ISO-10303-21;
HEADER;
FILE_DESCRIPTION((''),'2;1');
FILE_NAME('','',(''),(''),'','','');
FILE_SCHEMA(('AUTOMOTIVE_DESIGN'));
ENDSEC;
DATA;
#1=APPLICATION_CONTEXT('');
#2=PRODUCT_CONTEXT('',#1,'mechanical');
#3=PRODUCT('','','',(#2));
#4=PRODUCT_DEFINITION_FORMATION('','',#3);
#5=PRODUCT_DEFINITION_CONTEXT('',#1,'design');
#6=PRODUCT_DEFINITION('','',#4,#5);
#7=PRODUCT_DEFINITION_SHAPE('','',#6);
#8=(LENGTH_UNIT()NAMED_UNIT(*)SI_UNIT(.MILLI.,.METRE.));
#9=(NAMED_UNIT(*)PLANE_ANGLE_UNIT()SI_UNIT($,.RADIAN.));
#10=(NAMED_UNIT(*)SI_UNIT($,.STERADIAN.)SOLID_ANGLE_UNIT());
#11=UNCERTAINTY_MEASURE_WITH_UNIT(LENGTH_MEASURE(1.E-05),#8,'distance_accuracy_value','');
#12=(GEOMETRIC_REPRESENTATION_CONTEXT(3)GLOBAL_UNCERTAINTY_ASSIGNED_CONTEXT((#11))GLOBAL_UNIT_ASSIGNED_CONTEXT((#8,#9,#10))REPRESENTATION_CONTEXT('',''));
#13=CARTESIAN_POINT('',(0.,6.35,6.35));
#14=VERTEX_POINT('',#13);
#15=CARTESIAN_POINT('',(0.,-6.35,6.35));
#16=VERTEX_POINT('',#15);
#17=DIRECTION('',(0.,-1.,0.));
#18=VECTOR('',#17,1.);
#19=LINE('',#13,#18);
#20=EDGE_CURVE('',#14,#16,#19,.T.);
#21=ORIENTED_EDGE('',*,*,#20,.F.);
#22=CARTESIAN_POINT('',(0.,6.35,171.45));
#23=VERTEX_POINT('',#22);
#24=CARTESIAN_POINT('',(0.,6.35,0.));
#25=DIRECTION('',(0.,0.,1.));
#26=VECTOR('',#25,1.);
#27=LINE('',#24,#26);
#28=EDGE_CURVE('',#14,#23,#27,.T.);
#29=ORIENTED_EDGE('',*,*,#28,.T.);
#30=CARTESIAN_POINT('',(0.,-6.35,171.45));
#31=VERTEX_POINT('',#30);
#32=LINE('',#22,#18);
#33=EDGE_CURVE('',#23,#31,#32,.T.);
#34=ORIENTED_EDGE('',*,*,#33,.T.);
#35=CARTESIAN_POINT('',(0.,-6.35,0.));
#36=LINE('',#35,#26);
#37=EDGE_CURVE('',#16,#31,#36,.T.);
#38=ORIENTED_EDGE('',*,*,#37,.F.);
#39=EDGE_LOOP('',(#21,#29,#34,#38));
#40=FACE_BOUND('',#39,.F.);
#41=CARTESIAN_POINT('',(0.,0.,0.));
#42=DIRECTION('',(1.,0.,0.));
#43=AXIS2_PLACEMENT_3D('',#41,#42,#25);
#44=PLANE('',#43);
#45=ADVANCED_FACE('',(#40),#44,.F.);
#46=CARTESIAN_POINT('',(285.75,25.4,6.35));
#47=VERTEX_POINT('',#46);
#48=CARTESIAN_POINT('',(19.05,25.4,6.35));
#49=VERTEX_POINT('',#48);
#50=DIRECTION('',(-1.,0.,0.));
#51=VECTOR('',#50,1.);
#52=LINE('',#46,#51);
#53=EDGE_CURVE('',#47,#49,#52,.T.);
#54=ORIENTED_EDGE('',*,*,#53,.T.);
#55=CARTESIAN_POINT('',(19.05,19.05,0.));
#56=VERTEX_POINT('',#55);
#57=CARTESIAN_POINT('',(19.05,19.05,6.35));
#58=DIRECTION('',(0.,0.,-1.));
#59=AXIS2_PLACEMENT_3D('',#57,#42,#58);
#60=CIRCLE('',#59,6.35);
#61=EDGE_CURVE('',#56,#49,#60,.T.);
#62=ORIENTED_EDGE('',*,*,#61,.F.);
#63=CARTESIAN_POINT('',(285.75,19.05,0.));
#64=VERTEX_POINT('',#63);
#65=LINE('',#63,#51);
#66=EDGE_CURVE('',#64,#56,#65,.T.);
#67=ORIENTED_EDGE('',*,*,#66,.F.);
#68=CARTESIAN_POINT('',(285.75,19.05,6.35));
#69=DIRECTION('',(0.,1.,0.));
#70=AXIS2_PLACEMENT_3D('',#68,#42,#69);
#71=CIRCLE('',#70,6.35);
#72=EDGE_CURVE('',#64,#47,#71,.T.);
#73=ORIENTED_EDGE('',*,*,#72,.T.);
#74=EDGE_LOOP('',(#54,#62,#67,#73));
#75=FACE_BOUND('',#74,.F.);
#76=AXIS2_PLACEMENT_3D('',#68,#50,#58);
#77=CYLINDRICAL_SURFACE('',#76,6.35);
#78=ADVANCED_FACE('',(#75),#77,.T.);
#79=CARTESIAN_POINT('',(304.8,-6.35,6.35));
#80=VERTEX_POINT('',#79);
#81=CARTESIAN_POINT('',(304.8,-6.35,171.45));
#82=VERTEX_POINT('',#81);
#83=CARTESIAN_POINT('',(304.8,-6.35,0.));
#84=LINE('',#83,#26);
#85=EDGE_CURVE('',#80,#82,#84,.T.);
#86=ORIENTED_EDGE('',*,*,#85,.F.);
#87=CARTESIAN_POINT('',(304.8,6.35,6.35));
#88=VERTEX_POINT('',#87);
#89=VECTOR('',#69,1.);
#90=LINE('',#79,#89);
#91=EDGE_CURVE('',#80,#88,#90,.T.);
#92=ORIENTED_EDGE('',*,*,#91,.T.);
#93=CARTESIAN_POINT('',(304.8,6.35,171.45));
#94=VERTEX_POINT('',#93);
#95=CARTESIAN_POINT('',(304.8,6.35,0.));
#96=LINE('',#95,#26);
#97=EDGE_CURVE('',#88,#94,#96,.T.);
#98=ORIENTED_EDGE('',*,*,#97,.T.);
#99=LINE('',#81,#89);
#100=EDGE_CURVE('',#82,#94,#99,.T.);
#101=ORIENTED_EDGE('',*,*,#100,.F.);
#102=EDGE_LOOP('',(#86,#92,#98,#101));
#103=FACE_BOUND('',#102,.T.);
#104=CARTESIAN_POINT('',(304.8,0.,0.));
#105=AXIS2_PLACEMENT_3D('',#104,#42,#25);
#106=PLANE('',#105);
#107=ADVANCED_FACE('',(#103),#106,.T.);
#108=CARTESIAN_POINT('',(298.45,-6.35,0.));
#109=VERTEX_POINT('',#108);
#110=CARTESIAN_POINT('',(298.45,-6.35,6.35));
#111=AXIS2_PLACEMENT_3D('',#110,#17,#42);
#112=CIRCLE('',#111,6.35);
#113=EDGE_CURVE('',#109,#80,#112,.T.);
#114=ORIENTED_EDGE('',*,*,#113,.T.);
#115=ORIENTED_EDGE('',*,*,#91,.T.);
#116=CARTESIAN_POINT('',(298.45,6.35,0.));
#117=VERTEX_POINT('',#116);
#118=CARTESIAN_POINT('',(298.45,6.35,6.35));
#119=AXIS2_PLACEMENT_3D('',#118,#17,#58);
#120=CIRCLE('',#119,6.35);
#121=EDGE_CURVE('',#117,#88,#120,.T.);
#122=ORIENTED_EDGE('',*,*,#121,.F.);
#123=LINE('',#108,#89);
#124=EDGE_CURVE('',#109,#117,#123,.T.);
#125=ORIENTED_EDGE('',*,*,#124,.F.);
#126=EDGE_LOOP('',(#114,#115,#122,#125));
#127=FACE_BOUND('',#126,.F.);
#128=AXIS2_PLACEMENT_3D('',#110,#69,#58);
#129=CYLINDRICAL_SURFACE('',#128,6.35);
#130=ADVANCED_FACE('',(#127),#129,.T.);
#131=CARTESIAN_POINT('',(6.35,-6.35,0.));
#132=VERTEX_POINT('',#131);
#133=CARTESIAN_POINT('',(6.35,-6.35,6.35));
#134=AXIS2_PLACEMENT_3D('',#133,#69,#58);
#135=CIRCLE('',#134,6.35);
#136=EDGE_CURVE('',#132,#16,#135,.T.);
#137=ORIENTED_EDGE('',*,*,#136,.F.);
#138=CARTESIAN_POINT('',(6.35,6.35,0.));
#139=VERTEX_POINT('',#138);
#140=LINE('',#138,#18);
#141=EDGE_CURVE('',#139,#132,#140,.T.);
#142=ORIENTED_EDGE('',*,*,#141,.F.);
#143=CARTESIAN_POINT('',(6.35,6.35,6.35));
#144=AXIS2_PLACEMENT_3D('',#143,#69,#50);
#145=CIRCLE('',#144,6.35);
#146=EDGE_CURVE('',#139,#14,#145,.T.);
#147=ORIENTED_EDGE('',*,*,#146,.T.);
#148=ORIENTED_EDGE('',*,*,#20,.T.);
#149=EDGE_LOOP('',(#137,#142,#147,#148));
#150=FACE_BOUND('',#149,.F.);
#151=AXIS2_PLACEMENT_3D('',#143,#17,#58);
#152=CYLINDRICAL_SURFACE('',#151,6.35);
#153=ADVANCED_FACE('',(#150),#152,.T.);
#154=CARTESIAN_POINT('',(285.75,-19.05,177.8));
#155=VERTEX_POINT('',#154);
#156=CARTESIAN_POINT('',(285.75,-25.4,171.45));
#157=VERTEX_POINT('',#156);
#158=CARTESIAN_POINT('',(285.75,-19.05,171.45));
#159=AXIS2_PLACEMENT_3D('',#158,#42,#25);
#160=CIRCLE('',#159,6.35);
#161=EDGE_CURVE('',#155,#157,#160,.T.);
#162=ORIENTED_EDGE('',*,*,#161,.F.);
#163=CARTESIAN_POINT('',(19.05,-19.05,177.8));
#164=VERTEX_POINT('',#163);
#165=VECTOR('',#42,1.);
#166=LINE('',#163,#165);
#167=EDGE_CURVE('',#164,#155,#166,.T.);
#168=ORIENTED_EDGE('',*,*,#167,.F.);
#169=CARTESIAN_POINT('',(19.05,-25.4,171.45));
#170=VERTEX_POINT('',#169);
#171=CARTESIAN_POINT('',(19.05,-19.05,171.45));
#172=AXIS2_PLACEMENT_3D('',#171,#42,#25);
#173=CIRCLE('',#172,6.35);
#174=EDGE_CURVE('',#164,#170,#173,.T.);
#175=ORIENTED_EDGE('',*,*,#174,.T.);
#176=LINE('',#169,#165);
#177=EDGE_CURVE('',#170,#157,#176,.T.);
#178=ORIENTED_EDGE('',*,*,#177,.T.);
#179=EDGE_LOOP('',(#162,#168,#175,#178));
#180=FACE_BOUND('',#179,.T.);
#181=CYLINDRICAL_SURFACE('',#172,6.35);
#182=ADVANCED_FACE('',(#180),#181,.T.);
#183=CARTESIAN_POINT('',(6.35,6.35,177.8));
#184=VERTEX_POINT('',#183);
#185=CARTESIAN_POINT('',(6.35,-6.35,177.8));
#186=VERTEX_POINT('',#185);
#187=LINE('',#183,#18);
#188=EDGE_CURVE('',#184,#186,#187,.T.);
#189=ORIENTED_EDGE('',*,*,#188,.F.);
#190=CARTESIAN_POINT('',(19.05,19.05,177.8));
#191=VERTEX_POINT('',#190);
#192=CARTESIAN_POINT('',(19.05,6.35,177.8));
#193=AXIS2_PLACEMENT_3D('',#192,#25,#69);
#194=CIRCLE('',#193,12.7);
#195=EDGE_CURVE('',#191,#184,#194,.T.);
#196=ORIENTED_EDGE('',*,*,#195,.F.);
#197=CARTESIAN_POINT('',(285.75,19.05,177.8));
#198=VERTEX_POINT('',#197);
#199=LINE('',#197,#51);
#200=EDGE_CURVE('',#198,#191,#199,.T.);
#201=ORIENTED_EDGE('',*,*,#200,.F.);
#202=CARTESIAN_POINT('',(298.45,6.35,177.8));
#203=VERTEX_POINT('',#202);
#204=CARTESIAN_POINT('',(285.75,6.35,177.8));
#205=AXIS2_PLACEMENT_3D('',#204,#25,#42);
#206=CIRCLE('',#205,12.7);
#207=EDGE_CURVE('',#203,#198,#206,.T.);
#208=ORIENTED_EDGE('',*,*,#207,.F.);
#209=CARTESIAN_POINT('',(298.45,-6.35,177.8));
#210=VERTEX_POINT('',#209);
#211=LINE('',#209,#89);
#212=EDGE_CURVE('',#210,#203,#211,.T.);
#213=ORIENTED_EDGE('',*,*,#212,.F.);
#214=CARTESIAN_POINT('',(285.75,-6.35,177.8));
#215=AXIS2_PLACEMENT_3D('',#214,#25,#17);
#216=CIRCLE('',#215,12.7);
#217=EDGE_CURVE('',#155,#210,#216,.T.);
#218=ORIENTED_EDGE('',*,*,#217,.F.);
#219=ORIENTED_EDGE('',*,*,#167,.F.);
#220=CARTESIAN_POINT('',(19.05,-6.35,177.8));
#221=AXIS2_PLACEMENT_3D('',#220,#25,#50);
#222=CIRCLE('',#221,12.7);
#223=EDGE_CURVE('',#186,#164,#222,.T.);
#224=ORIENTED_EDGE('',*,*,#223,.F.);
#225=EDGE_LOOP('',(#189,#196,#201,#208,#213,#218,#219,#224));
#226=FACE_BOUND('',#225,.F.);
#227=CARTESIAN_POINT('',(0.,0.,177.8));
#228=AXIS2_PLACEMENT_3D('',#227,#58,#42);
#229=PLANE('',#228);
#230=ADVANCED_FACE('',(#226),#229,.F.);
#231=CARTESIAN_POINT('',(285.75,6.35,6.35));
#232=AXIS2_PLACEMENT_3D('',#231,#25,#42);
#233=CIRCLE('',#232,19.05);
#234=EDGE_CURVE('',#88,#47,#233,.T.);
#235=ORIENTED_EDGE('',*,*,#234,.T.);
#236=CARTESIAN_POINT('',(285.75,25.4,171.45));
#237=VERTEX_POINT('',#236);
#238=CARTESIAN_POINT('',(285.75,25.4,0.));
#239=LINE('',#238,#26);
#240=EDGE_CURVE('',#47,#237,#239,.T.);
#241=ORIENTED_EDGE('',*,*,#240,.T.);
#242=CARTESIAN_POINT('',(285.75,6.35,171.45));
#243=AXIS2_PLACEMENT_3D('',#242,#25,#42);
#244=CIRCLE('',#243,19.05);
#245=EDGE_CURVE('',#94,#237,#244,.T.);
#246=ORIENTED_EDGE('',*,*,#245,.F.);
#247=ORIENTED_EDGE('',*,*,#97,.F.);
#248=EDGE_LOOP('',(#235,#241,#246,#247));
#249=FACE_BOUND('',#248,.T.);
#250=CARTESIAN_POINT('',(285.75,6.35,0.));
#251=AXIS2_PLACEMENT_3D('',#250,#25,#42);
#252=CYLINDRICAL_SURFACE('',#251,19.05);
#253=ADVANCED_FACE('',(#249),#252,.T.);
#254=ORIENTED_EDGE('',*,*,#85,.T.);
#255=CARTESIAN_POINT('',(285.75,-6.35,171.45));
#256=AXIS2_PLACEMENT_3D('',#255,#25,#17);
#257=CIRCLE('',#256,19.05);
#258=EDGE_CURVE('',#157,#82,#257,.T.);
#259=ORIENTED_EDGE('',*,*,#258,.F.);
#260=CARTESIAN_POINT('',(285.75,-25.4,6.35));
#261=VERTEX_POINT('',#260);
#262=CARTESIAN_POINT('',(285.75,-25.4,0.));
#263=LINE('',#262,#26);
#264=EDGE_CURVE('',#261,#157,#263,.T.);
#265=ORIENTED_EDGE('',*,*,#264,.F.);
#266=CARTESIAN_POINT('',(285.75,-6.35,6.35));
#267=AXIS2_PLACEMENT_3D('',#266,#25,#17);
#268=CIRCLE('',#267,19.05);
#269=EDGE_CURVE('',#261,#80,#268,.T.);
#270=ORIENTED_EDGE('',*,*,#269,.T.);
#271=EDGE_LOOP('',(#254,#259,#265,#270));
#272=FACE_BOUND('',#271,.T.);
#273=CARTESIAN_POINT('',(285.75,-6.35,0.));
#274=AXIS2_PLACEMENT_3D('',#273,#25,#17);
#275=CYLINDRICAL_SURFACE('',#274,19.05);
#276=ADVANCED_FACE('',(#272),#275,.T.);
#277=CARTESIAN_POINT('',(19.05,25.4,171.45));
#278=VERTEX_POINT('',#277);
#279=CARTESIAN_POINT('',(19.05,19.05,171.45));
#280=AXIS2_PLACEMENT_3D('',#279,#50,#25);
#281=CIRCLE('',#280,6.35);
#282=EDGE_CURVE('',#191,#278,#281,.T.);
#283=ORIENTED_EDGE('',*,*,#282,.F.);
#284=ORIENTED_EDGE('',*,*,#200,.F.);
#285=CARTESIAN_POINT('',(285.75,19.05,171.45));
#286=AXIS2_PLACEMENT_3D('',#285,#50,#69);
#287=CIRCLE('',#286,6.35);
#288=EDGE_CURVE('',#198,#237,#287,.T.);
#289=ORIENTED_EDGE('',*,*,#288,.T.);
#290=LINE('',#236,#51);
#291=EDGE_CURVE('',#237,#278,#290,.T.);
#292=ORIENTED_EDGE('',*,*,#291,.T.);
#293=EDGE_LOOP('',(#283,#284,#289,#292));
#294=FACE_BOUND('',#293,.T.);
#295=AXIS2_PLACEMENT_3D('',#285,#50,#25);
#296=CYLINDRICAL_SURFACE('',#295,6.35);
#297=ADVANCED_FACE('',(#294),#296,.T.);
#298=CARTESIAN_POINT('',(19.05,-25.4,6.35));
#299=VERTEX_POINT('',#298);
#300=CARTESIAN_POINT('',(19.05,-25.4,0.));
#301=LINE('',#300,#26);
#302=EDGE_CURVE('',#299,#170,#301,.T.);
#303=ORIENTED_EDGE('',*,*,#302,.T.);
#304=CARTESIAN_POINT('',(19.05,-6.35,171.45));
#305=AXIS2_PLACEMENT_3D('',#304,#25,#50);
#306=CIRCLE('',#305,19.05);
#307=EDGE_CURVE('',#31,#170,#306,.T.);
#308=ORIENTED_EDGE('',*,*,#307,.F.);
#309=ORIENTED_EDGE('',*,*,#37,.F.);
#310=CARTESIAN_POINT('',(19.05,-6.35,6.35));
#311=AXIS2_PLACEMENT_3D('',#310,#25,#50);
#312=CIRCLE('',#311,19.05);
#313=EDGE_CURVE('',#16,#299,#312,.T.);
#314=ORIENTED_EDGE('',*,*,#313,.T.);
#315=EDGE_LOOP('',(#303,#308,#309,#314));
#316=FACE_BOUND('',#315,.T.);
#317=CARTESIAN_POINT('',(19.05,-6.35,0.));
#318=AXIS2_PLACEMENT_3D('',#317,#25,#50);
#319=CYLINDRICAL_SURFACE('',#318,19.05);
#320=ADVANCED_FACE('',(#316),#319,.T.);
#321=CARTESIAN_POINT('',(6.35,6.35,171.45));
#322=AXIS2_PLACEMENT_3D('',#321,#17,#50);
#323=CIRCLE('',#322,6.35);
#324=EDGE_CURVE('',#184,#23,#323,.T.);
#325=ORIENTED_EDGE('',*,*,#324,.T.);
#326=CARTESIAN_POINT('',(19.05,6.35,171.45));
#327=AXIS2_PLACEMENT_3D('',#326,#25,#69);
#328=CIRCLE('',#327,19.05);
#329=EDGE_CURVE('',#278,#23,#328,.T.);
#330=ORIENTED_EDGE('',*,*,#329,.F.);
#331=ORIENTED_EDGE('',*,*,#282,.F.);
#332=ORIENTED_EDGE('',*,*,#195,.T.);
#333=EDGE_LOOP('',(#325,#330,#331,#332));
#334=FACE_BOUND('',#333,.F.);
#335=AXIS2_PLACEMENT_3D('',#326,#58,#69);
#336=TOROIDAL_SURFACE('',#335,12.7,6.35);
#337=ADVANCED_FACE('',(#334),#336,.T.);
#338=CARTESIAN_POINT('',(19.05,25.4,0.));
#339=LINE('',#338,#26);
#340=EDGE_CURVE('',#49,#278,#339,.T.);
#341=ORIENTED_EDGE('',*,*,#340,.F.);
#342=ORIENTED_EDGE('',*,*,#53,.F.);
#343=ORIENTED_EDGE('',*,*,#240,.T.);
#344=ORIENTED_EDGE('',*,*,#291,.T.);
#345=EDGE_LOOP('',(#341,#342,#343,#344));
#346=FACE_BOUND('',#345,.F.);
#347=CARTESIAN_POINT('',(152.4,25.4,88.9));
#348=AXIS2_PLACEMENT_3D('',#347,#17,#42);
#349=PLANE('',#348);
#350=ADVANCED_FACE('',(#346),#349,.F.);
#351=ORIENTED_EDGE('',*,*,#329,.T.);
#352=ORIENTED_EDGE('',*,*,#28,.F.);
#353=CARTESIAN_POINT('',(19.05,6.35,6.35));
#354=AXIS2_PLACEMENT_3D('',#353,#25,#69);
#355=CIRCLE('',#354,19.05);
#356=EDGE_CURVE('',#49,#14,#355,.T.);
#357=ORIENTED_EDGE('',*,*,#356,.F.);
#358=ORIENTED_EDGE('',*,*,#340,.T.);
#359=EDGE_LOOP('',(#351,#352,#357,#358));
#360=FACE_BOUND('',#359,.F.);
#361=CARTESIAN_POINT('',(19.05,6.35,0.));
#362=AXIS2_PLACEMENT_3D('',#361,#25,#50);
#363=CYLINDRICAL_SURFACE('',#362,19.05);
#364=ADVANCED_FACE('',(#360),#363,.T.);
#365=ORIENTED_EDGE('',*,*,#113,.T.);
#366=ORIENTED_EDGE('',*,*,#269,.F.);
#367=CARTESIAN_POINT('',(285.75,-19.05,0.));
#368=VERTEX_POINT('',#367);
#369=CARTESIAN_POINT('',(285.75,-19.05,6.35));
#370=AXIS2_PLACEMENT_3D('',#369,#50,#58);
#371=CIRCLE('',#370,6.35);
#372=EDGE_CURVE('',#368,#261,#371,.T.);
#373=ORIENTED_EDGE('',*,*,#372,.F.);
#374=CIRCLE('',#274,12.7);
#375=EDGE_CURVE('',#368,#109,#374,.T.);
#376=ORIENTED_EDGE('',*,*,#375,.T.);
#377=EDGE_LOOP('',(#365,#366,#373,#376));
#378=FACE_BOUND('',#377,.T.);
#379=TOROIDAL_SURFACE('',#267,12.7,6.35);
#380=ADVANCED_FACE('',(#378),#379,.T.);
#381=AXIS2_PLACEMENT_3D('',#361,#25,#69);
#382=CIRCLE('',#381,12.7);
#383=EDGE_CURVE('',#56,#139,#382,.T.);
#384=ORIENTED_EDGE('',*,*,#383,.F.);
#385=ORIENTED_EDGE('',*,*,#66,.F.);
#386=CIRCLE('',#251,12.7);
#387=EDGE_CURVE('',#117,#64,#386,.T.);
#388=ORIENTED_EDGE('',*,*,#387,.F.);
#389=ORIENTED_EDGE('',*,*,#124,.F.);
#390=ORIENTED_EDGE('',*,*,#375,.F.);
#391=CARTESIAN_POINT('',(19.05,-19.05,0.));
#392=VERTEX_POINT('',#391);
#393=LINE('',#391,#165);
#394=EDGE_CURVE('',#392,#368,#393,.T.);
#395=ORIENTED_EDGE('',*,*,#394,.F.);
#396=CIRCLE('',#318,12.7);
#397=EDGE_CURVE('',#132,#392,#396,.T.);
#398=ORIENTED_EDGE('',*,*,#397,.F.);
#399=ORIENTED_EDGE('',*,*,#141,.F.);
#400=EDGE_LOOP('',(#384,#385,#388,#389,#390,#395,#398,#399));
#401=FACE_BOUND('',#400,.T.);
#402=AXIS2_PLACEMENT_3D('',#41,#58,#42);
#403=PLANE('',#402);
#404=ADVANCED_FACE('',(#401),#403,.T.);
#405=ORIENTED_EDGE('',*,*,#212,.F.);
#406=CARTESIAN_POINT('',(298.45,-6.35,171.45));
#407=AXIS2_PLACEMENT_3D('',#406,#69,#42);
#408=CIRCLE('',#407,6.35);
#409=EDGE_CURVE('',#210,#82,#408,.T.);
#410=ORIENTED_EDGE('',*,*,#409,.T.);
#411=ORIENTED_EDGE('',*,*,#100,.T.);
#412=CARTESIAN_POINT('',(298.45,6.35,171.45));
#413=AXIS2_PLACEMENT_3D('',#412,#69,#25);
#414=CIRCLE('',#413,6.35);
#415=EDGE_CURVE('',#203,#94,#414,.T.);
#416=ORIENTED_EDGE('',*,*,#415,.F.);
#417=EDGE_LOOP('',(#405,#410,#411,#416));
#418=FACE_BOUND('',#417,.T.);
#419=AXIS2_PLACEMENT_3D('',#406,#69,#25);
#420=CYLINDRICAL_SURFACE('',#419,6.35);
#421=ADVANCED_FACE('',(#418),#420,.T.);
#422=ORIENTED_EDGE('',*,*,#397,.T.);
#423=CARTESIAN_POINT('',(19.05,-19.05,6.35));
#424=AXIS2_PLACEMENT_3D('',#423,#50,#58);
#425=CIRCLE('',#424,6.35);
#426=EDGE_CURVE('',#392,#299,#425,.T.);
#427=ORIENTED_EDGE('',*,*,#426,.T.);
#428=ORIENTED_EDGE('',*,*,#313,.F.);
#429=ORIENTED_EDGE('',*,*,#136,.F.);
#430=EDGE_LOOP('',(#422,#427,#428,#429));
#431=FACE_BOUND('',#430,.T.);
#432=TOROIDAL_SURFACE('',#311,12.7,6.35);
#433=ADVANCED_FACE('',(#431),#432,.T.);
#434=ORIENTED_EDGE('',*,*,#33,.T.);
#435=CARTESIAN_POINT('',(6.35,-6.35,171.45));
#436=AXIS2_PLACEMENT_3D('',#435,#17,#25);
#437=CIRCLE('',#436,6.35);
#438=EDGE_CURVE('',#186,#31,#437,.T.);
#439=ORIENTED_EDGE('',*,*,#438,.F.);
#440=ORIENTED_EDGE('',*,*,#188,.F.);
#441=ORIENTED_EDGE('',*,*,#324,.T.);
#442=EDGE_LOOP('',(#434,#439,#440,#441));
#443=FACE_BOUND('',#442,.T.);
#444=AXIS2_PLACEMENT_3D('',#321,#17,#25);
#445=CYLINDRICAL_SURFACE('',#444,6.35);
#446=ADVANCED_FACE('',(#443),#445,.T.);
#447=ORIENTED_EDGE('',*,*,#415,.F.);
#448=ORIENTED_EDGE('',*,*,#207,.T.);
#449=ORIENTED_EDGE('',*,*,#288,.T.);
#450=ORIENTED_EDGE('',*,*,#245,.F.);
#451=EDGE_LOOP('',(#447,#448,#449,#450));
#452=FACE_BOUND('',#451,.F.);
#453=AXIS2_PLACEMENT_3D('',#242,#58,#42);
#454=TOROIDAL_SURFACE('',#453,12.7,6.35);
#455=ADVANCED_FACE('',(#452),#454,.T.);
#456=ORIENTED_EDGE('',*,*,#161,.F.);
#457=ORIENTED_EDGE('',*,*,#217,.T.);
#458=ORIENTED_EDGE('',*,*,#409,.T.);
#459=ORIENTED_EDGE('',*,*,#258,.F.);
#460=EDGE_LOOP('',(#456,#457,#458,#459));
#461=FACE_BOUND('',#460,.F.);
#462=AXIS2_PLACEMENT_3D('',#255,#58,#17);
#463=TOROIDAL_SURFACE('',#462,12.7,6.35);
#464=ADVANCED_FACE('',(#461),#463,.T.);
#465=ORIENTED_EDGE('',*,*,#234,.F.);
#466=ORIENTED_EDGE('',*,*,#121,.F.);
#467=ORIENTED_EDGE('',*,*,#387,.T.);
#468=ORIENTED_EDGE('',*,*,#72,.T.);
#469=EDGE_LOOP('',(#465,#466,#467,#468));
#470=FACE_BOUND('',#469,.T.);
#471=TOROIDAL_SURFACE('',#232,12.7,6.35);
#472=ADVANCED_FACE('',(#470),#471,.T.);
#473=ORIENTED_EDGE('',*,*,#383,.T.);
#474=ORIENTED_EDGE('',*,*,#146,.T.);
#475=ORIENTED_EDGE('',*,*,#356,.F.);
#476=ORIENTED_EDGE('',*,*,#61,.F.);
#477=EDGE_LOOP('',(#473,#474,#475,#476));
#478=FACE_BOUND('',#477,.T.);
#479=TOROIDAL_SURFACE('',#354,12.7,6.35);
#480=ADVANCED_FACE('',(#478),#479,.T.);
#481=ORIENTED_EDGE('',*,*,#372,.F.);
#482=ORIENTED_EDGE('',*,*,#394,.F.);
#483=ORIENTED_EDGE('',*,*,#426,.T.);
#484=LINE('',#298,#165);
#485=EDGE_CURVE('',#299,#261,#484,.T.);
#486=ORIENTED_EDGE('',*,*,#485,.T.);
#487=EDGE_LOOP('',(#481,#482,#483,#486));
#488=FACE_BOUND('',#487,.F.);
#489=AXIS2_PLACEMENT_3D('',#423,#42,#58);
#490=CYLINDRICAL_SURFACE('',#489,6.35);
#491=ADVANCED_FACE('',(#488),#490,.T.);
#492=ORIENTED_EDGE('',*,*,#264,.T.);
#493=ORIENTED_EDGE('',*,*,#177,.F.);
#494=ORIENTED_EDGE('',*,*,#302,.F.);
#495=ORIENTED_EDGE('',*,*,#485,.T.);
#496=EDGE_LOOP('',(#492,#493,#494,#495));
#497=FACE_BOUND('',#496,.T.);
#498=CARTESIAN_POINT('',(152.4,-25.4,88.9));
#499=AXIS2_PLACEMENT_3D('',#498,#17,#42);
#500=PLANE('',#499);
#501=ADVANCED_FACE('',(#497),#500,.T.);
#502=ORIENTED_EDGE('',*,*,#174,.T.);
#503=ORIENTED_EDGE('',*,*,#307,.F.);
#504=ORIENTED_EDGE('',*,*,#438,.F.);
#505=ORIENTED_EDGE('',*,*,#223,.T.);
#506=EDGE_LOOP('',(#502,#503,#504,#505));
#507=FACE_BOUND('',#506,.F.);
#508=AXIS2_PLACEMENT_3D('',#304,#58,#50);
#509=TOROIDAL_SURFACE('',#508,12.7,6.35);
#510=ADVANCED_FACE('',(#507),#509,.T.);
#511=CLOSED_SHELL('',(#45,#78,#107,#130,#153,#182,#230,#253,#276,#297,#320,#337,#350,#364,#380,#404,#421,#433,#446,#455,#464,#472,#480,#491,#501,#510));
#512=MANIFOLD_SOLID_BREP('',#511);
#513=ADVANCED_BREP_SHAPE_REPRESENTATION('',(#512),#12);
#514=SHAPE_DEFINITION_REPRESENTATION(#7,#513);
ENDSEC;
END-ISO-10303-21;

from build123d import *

# Parameters (mm, degrees)
F0_W     = 304.8
F0_H     = 177.8
F1_DEPTH = 25.4
F2_R     = 19.05
F3_R     = 6.35


with BuildPart() as f1:
    # F0 (on Front) → F1 (new body, symmetric)
    with BuildSketch(Plane.XZ):
        with Locations((152.4, 88.9)):
            Rectangle(F0_W, F0_H)
    extrude(amount=F1_DEPTH, both=True)

    # F2
    f2_edges = [f1.edges().sort_by_distance(p)[0] for p in [
        (304.8, -25.4, 88.9),
        (304.8, 25.4, 88.9),
        (0, 25.4, 88.9),
        (0, -25.4, 88.9),
    ]]
    fillet(f2_edges, radius=F2_R)

    # F3
    f3_edges = [f1.edges().sort_by_distance(p)[0] for p in [
        (152.4, -25.4, 177.8),
        (152.4, -25.4, 0),
    ]]
    fillet(f3_edges, radius=F3_R)


solid = f1.part
